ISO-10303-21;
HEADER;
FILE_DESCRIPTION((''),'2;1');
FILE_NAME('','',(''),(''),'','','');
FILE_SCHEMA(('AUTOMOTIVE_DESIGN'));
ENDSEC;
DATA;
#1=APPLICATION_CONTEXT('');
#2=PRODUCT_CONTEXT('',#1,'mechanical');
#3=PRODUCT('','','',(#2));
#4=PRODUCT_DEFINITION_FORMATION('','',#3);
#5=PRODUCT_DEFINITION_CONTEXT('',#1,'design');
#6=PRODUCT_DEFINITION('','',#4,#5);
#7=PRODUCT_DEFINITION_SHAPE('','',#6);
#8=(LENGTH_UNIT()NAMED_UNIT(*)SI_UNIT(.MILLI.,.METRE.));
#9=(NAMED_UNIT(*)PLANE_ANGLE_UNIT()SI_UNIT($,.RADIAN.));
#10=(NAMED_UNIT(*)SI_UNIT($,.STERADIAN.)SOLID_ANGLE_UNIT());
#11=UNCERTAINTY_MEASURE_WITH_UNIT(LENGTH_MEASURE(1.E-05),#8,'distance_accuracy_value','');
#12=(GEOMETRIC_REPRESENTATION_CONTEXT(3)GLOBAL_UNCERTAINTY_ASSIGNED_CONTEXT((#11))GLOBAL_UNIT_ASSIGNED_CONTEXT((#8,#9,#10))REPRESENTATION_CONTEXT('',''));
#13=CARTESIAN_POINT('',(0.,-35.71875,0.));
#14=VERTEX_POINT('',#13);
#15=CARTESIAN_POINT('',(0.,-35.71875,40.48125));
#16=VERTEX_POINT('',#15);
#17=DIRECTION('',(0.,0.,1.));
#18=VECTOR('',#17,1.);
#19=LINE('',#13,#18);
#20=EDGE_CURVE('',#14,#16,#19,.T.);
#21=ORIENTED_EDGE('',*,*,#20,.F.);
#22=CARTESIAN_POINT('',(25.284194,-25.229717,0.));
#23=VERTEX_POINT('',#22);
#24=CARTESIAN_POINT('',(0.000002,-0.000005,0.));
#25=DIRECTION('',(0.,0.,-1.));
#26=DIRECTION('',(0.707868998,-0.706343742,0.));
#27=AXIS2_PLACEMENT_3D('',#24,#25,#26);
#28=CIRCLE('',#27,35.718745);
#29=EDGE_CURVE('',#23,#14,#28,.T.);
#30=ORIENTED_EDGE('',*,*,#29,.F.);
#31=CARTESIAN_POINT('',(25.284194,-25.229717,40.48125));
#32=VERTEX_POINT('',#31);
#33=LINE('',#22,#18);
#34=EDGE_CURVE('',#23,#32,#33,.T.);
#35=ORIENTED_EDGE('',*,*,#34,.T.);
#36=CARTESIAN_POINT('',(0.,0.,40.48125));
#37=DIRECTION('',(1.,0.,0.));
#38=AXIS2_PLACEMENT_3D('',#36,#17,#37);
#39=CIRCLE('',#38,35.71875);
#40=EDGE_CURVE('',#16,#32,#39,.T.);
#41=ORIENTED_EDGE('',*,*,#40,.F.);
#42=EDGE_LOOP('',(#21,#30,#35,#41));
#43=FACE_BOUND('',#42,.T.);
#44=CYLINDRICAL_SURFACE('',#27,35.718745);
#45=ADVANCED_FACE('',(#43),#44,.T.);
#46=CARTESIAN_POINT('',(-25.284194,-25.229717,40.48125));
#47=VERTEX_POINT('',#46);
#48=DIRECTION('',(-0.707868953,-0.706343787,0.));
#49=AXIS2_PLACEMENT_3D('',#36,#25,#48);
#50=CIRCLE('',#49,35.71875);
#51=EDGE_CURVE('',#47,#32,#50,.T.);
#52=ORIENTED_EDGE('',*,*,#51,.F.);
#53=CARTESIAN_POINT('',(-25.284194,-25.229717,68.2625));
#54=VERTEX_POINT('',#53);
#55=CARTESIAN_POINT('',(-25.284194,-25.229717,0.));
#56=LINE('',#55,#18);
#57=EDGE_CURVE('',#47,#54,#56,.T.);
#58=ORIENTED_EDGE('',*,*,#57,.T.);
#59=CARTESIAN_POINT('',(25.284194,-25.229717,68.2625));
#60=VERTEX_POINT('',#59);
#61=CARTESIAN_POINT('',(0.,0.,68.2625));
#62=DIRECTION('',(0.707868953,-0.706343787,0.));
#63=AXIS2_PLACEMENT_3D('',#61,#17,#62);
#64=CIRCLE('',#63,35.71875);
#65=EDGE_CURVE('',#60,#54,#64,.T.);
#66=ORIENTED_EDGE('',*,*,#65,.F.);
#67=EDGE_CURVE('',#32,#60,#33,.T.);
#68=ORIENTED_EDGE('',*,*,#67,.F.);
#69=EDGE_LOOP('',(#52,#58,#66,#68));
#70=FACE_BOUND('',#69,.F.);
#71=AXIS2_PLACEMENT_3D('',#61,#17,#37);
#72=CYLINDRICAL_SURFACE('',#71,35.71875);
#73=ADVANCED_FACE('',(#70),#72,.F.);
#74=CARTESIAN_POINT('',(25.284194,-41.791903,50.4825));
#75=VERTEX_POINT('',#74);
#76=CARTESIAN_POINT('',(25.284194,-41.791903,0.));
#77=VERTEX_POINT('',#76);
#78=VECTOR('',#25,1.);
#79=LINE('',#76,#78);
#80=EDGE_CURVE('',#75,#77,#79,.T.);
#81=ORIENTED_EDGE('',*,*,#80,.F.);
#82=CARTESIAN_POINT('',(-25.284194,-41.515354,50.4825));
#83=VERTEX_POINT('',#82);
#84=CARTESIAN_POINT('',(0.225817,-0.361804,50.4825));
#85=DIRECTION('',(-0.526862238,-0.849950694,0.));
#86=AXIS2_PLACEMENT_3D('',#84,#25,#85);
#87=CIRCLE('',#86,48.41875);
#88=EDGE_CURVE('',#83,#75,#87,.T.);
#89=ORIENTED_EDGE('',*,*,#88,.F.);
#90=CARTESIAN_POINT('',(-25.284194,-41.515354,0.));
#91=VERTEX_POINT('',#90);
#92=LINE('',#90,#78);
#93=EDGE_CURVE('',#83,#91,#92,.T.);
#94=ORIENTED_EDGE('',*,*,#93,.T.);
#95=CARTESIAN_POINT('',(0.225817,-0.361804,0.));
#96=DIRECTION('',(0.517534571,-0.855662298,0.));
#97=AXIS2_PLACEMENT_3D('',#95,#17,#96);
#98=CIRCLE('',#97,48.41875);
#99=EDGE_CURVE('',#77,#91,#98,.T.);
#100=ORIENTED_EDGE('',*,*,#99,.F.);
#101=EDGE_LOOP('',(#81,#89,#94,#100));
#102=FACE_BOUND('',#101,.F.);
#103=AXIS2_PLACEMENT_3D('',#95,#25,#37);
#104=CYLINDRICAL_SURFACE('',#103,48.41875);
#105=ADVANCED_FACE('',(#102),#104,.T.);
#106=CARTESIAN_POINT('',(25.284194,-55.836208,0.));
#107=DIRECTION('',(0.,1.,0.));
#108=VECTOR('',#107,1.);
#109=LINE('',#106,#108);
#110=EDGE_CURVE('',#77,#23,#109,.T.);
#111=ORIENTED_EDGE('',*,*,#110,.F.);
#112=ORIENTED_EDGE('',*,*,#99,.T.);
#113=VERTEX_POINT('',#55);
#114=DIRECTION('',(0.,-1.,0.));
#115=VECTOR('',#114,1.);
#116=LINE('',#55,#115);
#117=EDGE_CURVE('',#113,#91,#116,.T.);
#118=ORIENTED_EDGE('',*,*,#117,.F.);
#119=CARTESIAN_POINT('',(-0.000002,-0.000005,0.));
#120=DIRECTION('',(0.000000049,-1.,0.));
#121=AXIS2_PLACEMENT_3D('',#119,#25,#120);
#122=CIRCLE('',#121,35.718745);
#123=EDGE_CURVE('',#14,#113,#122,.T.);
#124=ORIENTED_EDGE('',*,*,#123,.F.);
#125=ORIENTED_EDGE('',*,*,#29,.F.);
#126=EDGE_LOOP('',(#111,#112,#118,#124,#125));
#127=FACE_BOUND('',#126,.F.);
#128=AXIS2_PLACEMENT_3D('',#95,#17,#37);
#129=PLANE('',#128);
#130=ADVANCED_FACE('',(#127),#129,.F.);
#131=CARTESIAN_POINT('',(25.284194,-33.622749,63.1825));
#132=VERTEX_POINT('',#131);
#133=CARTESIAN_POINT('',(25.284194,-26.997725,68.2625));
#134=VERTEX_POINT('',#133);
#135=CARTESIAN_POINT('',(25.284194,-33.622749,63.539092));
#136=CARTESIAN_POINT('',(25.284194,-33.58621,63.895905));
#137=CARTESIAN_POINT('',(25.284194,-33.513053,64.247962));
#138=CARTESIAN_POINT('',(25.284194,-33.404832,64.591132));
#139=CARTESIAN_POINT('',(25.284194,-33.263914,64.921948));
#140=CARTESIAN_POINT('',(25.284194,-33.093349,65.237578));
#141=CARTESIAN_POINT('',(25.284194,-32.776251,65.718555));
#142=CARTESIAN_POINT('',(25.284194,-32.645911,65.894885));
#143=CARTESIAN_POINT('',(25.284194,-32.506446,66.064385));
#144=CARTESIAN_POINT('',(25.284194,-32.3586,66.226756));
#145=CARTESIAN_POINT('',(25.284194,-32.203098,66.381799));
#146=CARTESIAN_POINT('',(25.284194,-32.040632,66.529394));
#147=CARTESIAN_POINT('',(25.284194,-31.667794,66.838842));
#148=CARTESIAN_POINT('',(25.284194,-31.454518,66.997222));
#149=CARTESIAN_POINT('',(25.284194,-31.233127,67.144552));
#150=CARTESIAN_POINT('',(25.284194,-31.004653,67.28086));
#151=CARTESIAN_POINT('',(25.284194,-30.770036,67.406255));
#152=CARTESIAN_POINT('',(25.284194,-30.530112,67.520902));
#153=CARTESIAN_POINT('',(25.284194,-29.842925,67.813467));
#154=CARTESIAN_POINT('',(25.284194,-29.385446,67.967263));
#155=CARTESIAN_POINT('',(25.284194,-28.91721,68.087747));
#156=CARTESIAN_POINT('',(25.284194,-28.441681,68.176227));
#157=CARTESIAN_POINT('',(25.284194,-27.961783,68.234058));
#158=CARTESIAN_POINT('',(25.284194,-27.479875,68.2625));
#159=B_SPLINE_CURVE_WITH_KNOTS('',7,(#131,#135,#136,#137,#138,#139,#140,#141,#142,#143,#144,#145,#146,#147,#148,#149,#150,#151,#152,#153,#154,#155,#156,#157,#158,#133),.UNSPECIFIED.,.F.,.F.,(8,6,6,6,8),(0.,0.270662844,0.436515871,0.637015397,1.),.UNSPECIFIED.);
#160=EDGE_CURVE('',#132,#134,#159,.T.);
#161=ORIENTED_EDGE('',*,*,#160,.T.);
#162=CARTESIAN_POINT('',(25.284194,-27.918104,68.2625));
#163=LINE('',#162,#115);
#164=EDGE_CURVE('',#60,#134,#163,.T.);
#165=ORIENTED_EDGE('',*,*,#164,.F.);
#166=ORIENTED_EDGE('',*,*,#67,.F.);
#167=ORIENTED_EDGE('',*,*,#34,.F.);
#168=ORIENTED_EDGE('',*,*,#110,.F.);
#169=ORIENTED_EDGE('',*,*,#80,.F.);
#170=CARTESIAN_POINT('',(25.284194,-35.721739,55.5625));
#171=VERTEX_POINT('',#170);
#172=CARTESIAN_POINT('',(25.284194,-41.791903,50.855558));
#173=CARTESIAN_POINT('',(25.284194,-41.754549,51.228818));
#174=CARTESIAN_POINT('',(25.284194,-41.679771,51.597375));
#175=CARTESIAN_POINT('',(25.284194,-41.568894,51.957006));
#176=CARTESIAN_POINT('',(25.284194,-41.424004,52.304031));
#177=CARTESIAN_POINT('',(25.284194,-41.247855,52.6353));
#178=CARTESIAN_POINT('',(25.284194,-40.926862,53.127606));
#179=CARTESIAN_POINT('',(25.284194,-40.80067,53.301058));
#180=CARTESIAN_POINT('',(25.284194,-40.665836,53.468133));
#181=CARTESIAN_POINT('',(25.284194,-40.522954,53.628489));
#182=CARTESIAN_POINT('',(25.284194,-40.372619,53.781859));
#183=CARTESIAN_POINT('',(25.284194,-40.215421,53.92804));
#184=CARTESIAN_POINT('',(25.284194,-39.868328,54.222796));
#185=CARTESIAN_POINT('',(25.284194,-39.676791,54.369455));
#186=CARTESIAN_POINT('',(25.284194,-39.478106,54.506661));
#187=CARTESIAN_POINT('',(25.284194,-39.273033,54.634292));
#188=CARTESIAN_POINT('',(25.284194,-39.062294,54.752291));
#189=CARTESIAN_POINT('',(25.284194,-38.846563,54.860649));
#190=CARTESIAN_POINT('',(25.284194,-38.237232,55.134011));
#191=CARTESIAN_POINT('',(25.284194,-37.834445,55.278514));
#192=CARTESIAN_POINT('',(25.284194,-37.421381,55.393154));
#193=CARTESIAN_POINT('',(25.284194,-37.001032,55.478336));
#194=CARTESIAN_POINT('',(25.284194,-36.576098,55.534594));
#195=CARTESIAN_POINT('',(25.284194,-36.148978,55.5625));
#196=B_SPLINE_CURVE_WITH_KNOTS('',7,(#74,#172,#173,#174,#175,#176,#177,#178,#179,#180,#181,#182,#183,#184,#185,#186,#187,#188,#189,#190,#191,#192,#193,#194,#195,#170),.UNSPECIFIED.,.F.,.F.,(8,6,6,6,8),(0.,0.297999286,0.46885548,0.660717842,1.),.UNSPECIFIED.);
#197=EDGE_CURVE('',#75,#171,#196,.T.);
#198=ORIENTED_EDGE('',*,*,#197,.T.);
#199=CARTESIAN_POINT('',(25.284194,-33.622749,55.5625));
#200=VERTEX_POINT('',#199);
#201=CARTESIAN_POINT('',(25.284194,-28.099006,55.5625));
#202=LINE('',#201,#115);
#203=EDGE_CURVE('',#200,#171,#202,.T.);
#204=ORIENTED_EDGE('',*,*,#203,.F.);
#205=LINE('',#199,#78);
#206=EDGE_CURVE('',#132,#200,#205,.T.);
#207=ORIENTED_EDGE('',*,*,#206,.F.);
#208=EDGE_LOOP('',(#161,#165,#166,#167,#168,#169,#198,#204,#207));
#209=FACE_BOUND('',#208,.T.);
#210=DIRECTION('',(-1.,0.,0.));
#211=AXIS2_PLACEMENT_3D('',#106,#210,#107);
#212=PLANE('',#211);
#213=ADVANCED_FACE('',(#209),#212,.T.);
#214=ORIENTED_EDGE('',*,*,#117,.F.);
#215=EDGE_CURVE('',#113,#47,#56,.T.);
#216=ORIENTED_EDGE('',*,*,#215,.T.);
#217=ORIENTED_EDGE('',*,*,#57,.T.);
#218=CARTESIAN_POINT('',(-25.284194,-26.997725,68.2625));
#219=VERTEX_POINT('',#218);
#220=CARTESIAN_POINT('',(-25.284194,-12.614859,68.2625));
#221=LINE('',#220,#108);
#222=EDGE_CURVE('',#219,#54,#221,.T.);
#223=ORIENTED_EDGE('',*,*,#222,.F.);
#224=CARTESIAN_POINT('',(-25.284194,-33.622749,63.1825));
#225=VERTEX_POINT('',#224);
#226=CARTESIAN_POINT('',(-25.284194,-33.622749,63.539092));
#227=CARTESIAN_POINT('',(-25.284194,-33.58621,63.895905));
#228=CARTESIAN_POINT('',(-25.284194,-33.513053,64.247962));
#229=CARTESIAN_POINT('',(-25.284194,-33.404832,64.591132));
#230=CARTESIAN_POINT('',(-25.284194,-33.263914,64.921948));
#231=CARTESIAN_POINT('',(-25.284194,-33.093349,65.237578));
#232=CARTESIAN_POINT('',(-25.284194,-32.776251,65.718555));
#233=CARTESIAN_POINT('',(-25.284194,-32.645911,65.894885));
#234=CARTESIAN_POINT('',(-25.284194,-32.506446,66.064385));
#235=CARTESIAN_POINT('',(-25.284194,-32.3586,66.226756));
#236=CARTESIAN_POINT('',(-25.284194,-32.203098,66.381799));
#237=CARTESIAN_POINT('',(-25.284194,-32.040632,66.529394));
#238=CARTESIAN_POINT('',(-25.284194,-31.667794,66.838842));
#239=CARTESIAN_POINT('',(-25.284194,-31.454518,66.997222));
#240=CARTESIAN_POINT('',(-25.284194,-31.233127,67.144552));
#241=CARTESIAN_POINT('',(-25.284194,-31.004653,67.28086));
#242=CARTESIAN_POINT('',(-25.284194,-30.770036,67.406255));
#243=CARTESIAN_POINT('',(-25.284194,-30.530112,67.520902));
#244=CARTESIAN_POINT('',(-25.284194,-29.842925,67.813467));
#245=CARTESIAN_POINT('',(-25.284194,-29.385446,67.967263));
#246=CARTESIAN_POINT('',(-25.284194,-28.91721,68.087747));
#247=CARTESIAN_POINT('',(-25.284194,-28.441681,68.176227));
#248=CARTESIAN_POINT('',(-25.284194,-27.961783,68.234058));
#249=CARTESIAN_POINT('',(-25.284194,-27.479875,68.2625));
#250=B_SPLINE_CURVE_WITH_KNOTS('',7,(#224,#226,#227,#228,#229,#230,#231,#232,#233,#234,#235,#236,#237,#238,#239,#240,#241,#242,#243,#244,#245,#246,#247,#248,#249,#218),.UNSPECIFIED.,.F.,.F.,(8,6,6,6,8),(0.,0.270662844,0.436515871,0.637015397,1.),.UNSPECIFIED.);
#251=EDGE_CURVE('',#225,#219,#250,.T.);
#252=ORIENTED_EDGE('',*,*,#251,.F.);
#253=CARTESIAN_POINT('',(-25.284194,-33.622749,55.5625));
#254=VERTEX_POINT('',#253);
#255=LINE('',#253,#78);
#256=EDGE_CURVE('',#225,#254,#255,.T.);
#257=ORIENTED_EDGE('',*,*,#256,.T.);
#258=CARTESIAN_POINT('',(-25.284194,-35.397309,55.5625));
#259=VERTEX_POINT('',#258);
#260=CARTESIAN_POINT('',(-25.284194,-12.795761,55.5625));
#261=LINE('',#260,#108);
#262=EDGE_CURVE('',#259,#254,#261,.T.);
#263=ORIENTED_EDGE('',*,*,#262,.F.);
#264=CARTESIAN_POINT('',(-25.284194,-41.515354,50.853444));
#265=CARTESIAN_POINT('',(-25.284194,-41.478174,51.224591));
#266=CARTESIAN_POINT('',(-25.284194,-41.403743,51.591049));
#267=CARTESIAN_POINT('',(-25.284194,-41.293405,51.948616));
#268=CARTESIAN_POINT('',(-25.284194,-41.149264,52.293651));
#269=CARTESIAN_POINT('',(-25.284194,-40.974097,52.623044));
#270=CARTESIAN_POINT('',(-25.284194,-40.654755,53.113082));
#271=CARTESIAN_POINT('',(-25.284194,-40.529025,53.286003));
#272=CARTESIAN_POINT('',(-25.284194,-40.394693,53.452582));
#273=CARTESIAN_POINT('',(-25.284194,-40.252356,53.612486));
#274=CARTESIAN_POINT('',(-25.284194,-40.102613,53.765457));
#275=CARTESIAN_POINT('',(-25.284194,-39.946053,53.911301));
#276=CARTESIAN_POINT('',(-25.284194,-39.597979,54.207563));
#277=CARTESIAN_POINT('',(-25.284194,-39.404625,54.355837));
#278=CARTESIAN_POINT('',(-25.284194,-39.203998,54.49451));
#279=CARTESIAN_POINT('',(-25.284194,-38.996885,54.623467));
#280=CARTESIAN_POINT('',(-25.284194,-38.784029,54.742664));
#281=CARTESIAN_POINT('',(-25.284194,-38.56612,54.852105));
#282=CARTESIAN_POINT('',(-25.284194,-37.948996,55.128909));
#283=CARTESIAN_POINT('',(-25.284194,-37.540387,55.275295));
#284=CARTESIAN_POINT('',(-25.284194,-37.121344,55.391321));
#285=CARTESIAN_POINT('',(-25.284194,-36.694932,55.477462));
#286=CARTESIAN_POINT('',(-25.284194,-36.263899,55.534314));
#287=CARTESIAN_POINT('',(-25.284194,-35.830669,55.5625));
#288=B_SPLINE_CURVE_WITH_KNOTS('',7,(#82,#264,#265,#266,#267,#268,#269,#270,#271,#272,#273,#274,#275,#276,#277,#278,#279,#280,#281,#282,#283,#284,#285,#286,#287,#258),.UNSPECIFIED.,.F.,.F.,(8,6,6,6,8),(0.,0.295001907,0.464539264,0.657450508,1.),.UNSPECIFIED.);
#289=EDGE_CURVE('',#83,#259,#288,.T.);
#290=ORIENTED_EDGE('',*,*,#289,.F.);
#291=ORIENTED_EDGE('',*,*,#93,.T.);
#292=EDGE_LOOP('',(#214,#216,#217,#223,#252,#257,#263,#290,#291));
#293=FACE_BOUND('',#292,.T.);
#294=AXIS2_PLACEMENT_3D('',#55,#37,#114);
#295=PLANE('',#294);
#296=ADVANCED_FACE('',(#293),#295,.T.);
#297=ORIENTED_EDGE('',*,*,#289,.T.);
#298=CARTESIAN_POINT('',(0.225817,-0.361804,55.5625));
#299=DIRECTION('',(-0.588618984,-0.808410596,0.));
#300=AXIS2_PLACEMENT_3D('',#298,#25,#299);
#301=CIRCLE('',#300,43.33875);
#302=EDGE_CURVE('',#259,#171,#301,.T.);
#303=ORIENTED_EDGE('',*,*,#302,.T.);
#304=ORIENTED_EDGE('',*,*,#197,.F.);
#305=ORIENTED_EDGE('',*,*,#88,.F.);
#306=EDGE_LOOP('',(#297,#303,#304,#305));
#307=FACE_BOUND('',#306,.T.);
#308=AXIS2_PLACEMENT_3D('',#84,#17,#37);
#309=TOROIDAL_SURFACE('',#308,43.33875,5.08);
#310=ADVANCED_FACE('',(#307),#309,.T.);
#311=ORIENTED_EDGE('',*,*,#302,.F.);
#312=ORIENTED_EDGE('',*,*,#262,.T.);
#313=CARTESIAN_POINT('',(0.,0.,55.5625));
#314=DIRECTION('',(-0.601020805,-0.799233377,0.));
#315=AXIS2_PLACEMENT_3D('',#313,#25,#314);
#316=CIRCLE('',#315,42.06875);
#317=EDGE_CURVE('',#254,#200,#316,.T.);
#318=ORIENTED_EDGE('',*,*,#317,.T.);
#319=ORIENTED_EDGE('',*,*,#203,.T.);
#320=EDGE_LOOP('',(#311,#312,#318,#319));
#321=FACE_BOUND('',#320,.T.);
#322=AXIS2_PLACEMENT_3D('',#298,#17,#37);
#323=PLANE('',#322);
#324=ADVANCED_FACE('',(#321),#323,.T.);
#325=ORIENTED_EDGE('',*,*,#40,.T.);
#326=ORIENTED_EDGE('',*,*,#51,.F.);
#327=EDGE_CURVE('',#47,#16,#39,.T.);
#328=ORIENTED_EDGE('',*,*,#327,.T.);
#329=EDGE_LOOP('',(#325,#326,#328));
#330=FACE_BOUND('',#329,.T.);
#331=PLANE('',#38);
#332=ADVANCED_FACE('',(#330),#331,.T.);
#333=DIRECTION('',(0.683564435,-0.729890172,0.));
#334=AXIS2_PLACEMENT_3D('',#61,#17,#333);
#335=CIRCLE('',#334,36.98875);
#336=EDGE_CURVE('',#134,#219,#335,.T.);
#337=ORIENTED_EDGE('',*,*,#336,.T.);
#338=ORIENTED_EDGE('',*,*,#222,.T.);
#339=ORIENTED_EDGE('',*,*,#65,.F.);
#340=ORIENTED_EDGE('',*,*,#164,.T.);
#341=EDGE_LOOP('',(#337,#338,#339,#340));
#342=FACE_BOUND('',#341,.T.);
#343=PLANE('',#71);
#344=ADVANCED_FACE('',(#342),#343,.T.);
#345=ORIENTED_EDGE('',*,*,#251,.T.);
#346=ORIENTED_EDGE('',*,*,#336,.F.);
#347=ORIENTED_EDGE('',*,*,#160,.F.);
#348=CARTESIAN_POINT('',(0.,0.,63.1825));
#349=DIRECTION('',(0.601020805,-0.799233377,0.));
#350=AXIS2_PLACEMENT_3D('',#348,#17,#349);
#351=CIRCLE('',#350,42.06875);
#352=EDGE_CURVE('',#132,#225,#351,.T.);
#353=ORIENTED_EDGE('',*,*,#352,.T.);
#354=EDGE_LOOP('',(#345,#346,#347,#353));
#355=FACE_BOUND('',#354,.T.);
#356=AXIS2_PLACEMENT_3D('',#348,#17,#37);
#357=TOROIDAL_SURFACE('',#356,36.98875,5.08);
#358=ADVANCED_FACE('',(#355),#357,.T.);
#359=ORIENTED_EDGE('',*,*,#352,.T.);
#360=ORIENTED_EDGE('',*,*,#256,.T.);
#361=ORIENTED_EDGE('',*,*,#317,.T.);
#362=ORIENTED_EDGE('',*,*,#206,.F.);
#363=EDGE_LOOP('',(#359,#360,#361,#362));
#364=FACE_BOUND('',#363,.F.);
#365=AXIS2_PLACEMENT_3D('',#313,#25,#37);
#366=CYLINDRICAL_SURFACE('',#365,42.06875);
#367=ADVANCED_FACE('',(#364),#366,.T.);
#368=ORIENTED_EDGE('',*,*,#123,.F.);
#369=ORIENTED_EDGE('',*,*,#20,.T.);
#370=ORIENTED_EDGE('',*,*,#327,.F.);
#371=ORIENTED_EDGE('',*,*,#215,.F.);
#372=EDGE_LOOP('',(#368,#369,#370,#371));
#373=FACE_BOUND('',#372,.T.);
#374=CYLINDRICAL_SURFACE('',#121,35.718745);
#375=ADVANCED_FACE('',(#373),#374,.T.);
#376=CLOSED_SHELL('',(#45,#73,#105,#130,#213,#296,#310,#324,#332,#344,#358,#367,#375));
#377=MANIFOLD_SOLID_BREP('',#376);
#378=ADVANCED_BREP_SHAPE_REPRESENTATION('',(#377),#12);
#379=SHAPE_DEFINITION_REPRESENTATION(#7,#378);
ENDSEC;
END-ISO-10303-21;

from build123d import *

# Parameters (mm, degrees)
F0_R     = 48.41875
F1_DEPTH = 55.5625
F2_R     = 42.06875
F3_DEPTH = 12.7
F4_R     = 35.71875
F5_DEPTH = 27.78125
F6_R     = 5.08
F8_DEPTH = 100.076


with BuildPart() as f1:
    # F0 (on Top) → F1 (new body)
    with BuildSketch(Plane.XY):
        with Locations((0.225817, -0.361804)):
            Circle(F0_R)
    extrude(amount=F1_DEPTH)

    # F2 (on face) → F3 (join)
    with BuildSketch(Plane.XY.offset(55.5625)):
        Circle(F2_R)
    extrude(amount=F3_DEPTH)

    # F4 (on face) → F5 (cut)
    with BuildSketch(Plane.XY.offset(68.2625)):
        Circle(F4_R)
    extrude(amount=-F5_DEPTH, mode=Mode.SUBTRACT)

    # F6
    f6_edges = [f1.edges().sort_by_distance(p)[0] for p in [
        (-48.192933, -0.361804, 55.5625),
        (-42.06875, 0, 68.2625),
    ]]
    fillet(f6_edges, radius=F6_R)

    # F7 (on Top) → F8 (cut)
    with BuildSketch(Plane.XY):
        with BuildLine():
            Line((25.284194, -55.836208), (25.284194, -25.229717))
            ThreePointArc((25.284194, -25.229717), (13.686766, -32.992447), (0, -35.71875))
            Line((0, -35.71875), (0, -55.836208))
            Line((0, -55.836208), (25.284194, -55.836208))
        make_face()
        with BuildLine():
            ThreePointArc((0, -35.71875), (-13.686766, -32.992447), (-25.284194, -25.229717))
            Line((-25.284194, -25.229717), (-25.284194, -55.836208))
            Line((-25.284194, -55.836208), (0, -55.836208))
            Line((0, -55.836208), (0, -35.71875))
        make_face()
    extrude(amount=F8_DEPTH, mode=Mode.SUBTRACT)


solid = f1.part
